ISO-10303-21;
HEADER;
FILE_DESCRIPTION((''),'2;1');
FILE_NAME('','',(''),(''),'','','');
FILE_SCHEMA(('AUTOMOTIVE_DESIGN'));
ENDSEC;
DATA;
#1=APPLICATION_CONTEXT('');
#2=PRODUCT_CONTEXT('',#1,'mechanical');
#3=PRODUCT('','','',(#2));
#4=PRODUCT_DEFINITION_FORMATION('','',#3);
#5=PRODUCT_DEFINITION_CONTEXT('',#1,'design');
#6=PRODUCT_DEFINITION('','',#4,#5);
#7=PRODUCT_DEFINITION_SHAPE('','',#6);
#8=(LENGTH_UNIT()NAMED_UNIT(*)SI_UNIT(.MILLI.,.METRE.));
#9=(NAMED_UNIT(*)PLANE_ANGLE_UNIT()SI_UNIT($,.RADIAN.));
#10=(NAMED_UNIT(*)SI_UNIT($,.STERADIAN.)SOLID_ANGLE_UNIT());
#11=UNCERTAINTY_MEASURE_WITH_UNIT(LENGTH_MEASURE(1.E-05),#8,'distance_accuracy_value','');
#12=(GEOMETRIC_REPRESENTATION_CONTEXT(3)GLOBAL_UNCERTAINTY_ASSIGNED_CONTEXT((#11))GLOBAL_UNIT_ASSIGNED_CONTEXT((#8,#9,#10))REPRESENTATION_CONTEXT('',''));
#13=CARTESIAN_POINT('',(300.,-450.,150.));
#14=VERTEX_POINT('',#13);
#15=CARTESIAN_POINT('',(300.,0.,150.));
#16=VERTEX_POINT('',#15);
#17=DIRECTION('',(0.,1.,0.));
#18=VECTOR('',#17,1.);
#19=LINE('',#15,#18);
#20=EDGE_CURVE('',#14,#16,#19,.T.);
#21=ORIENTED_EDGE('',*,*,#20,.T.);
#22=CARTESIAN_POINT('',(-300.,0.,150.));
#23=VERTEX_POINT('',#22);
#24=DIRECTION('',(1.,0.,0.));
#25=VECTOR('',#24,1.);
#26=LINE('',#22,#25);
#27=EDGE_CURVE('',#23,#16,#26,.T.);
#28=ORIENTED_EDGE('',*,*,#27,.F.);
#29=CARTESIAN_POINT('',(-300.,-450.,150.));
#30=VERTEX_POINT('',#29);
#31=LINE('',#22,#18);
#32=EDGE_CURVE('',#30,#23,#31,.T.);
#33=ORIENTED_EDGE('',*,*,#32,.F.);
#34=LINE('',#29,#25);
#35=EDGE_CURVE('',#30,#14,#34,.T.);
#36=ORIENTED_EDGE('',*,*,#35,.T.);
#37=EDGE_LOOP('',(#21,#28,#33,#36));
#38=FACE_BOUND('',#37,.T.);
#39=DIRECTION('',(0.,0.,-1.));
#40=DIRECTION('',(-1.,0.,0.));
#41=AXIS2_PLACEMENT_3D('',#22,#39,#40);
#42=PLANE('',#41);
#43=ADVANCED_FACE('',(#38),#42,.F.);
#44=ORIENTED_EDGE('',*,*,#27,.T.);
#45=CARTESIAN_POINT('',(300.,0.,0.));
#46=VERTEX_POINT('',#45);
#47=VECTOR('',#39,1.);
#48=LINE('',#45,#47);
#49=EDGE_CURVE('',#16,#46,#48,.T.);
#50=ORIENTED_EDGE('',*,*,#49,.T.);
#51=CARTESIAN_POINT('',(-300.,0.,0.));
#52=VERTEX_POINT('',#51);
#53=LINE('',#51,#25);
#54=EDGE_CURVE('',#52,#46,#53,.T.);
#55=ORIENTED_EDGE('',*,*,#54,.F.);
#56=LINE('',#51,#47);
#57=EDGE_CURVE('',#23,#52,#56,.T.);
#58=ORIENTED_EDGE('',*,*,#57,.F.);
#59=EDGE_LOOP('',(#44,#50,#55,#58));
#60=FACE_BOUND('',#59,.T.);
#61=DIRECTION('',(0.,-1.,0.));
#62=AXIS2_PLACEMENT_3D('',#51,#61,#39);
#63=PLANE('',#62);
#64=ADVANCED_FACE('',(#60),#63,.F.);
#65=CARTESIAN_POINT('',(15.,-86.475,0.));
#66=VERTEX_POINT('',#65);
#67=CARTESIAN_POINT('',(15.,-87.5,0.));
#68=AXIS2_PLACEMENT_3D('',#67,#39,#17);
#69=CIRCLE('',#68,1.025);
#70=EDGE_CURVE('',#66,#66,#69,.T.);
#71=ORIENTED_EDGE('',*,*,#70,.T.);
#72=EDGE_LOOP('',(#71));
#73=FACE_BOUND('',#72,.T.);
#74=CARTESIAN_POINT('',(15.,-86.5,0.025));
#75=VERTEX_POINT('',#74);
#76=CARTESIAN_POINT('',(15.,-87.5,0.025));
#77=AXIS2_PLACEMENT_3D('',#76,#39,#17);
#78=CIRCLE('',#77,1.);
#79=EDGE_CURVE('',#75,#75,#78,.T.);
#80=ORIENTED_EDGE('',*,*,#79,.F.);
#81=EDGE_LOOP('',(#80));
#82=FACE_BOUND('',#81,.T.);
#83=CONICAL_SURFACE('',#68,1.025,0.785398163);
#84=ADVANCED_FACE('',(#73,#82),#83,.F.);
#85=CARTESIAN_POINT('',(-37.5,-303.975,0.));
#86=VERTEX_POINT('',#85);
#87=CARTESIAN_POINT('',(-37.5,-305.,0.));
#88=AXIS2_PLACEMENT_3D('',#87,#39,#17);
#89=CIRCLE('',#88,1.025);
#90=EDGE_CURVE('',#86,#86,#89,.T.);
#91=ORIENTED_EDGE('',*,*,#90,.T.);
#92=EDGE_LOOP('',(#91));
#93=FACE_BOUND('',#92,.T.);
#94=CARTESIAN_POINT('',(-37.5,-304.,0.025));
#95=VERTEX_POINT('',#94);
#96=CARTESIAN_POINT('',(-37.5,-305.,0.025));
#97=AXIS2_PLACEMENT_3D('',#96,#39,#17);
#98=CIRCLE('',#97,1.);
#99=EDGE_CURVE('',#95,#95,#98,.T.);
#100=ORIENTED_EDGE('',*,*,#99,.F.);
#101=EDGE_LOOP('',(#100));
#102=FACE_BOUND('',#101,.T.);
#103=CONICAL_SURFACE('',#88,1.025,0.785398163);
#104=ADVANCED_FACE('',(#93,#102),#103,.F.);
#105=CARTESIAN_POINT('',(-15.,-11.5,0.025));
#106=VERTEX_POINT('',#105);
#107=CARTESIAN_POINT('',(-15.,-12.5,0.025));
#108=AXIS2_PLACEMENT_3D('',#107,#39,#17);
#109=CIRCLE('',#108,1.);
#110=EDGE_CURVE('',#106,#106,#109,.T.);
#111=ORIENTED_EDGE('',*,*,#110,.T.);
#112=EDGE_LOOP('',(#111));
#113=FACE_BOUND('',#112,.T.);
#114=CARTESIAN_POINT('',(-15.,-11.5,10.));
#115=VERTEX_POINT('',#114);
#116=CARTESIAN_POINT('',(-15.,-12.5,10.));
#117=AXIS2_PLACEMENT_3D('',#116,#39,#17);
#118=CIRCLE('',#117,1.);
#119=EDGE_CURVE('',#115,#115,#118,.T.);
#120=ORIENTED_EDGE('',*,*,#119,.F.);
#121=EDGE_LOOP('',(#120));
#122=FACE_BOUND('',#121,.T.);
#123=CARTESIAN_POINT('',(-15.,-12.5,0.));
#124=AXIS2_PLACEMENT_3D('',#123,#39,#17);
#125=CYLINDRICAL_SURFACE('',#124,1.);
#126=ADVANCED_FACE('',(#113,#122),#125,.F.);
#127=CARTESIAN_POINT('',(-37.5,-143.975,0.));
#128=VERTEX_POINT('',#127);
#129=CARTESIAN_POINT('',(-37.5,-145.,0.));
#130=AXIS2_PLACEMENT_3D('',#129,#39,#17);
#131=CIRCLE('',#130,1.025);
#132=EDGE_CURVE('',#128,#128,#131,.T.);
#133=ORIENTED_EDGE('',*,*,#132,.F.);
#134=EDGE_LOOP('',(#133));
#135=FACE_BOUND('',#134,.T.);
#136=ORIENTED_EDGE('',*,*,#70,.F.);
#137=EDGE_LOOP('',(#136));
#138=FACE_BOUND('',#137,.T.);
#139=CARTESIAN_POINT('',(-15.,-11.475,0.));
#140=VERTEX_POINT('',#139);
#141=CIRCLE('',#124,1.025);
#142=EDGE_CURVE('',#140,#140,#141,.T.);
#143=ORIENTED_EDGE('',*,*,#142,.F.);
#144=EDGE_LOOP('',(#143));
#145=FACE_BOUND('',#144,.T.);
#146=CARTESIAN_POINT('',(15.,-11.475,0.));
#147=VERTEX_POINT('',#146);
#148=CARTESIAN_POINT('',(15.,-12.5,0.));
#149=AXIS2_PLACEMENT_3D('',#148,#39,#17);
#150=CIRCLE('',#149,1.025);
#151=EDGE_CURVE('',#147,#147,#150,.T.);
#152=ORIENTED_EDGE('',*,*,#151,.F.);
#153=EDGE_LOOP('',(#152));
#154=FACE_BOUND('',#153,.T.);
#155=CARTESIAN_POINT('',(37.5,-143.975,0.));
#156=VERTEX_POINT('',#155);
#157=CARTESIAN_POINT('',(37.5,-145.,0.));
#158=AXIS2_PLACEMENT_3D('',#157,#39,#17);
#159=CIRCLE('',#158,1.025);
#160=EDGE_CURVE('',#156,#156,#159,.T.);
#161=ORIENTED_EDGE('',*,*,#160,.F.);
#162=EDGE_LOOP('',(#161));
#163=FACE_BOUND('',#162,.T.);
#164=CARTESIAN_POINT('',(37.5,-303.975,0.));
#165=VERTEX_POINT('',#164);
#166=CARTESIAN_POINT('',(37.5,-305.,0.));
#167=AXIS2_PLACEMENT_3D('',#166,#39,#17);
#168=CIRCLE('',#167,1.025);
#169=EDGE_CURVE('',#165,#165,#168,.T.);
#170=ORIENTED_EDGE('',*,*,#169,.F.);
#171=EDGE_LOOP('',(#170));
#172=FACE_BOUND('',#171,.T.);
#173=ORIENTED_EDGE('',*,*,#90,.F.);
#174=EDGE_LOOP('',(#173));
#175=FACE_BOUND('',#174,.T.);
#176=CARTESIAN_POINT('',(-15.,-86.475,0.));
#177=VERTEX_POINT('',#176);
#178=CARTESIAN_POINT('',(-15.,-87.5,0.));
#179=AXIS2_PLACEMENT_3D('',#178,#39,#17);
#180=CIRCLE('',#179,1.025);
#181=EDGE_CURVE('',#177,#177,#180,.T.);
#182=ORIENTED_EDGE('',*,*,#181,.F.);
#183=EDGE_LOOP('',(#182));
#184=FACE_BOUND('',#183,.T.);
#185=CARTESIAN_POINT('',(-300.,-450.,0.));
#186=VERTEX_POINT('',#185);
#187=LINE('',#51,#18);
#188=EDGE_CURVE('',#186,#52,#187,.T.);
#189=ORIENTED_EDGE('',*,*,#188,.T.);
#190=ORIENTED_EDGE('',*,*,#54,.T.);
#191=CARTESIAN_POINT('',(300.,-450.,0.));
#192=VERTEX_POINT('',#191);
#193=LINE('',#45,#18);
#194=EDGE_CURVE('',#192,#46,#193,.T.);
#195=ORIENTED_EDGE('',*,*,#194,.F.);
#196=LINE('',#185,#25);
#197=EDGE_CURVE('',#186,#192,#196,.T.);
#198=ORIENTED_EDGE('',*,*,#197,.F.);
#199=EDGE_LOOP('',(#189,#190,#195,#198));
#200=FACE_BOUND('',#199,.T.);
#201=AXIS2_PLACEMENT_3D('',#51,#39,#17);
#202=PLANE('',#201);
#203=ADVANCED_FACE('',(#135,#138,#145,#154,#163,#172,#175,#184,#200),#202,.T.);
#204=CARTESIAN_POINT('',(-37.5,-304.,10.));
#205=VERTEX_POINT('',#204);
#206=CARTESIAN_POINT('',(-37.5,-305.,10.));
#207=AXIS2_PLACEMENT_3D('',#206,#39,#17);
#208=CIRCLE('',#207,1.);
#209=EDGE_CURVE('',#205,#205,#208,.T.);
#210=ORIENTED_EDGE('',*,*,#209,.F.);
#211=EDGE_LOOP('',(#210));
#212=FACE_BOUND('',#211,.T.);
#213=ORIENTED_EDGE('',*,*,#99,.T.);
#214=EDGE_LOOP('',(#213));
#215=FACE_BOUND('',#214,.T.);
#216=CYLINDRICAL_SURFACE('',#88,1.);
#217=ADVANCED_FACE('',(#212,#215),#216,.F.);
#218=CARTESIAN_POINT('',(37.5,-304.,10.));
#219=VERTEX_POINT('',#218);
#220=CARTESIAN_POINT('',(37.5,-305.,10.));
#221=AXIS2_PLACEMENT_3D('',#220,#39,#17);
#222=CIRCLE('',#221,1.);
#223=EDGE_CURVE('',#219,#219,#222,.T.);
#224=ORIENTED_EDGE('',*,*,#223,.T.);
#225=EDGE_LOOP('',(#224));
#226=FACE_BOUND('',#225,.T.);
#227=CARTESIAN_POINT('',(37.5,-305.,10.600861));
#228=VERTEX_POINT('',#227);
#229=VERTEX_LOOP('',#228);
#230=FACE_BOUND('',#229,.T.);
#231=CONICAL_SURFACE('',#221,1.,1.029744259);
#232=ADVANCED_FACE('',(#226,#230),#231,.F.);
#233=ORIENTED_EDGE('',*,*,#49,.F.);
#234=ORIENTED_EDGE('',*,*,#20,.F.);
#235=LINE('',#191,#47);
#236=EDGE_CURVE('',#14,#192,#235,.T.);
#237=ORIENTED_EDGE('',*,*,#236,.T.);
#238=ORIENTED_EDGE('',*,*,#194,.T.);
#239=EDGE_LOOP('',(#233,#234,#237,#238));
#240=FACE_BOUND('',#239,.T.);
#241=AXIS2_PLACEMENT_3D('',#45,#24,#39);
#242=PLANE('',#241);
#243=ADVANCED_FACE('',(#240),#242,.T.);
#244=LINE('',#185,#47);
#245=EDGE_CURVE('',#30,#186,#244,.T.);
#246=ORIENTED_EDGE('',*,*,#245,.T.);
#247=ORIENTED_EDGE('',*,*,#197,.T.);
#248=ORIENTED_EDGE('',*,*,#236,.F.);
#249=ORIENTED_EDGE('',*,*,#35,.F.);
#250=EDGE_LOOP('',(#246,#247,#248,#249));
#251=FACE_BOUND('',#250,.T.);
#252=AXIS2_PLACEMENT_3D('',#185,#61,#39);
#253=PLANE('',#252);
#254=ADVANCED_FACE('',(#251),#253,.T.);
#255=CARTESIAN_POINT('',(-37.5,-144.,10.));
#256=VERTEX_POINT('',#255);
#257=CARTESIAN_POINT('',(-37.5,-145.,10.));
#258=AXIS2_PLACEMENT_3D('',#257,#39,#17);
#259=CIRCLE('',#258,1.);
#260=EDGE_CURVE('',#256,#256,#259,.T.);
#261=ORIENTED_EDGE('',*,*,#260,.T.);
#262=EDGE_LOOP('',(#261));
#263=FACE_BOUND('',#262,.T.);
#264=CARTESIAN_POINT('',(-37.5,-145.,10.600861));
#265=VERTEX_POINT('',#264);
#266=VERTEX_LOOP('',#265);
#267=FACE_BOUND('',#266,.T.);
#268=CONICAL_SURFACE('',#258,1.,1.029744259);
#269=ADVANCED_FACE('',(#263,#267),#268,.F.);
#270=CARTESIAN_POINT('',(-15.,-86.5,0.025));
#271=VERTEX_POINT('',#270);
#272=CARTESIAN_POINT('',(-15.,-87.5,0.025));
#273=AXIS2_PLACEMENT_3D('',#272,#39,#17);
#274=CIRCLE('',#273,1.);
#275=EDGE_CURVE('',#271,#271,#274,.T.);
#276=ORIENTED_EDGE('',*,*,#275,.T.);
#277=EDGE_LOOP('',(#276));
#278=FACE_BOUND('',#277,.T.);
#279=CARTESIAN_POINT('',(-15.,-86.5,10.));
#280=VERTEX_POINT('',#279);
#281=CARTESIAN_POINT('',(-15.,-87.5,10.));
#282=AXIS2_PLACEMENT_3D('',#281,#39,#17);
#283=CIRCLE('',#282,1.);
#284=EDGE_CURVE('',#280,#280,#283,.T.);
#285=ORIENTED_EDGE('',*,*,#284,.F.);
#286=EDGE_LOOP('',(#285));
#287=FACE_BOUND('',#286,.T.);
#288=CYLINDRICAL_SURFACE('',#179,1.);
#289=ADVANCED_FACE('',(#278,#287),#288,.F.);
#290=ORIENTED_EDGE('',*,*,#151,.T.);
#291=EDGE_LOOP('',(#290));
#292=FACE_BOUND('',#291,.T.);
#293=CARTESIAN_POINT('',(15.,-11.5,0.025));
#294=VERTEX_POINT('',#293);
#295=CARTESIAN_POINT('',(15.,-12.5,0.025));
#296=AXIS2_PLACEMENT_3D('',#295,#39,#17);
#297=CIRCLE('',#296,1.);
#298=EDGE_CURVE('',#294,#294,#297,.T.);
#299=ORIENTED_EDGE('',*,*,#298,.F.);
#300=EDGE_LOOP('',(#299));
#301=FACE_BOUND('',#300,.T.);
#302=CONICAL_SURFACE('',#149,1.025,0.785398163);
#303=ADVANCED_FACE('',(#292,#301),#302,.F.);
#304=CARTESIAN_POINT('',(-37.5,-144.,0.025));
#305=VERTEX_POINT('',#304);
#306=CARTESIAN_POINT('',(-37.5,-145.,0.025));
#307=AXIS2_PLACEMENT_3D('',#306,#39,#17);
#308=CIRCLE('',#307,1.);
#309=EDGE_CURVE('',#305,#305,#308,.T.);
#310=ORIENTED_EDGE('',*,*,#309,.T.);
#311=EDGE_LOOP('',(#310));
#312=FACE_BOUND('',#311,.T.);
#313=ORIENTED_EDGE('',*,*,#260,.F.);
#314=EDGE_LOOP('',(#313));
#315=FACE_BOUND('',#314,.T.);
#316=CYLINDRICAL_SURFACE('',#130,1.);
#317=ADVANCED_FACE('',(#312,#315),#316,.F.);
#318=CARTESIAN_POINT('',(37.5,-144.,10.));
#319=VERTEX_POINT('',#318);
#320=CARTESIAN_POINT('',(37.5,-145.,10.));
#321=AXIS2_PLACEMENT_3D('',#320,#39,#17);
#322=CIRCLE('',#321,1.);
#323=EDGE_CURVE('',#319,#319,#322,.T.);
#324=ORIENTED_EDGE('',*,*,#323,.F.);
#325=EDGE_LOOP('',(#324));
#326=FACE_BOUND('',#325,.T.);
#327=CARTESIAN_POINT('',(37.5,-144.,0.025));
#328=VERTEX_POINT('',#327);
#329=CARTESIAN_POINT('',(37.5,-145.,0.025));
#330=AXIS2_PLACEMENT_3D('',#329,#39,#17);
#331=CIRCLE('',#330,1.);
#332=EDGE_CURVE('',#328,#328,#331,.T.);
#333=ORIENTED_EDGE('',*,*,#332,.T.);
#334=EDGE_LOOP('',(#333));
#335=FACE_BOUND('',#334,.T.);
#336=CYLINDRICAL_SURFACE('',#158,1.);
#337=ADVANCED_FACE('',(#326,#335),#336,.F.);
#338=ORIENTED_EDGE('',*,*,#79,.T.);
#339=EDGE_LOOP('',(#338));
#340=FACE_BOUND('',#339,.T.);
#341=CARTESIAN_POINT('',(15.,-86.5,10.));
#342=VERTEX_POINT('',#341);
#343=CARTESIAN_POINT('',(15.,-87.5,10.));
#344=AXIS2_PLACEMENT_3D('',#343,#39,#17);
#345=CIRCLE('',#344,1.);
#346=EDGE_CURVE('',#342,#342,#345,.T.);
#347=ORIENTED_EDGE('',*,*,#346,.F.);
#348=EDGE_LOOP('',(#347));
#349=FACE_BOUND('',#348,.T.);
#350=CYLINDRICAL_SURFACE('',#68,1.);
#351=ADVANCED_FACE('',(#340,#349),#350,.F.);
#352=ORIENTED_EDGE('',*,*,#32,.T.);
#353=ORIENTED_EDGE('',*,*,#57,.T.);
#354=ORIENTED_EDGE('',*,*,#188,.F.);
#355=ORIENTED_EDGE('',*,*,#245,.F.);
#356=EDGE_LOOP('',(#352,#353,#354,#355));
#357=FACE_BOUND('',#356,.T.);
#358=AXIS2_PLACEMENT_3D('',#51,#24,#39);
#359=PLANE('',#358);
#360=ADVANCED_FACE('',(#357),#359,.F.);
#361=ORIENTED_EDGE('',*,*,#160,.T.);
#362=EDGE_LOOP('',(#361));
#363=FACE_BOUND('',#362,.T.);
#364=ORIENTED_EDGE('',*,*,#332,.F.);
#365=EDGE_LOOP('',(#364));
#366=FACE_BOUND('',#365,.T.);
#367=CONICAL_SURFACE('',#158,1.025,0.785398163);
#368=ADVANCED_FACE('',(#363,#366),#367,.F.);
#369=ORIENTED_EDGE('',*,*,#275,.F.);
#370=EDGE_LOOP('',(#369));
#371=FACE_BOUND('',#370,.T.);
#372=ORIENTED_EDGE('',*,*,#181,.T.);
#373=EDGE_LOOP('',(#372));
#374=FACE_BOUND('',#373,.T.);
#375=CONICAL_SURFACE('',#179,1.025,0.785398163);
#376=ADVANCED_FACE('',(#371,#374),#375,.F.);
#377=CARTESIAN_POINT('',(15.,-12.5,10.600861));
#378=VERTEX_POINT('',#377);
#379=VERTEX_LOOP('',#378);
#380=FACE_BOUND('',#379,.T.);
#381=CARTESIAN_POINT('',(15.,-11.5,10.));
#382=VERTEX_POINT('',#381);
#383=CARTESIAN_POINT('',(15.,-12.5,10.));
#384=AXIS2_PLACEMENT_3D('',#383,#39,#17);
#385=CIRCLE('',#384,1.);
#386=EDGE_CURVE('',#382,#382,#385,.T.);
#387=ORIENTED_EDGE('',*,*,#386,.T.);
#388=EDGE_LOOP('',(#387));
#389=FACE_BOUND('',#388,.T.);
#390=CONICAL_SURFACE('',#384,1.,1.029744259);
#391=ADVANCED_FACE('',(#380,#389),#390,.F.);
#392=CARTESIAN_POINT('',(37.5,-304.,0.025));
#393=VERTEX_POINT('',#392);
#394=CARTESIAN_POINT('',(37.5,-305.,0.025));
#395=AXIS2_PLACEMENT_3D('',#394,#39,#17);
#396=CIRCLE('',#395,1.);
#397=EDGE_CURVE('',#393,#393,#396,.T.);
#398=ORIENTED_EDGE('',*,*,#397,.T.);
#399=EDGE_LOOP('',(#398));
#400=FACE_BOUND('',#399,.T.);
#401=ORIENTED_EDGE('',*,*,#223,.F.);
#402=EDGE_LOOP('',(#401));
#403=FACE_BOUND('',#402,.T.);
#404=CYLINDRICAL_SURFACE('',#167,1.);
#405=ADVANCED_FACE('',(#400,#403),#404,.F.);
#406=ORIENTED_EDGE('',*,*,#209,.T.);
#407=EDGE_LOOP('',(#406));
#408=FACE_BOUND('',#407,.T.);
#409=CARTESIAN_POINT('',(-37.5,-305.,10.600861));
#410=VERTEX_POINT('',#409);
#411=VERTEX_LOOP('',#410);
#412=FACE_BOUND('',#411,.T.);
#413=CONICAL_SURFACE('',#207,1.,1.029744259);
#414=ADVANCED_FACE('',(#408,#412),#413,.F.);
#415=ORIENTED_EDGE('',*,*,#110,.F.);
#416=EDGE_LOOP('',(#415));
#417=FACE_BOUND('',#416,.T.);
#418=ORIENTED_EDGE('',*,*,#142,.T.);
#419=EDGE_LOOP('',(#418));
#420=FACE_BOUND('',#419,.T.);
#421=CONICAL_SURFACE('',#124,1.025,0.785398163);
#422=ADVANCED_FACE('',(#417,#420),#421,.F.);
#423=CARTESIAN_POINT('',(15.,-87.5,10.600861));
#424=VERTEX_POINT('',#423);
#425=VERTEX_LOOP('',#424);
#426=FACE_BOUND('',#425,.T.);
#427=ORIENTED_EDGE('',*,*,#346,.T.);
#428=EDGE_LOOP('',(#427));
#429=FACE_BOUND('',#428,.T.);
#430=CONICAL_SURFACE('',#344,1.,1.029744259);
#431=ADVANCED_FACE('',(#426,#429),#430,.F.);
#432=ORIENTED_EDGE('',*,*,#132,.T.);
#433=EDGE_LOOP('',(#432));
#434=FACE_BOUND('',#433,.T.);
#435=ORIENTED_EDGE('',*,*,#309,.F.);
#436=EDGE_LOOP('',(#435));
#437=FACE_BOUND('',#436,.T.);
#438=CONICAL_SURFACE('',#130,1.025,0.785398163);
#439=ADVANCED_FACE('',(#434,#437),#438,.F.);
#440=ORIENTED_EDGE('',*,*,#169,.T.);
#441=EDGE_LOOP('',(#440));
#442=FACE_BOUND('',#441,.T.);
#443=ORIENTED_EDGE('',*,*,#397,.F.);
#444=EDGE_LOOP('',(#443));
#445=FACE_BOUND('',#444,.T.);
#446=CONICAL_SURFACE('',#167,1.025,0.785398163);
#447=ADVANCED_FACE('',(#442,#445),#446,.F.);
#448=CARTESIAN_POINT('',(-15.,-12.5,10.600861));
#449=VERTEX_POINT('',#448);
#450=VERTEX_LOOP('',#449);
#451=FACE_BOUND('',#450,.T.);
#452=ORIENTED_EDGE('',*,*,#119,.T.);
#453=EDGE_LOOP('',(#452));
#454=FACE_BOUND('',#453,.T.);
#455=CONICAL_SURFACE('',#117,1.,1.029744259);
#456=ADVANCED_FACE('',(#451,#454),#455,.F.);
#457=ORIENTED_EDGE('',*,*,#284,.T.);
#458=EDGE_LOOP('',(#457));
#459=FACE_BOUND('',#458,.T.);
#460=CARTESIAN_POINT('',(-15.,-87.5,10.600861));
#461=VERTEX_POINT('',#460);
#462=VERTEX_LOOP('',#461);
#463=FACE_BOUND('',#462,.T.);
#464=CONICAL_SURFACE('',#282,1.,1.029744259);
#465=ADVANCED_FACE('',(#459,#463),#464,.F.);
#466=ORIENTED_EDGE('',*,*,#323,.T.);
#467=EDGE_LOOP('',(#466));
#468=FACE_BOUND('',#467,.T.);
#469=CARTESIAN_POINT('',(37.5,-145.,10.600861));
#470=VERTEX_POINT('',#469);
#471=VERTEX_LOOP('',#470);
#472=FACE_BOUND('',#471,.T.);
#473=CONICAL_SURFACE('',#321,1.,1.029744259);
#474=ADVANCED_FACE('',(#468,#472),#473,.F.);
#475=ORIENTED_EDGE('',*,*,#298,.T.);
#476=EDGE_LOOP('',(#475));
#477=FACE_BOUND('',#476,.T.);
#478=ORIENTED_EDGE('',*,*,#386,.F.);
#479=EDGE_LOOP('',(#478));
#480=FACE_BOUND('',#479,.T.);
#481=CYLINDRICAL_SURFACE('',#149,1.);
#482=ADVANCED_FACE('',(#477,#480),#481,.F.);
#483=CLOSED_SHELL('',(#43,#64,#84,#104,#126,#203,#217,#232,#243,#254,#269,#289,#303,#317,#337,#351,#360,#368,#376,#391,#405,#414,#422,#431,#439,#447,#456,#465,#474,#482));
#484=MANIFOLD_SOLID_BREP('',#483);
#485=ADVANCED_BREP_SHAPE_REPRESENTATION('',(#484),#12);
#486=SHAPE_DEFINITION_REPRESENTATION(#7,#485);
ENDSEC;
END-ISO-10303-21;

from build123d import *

# Parameters (mm, degrees)
BOSS_EXTRUDE2_DEPTH             = 300
BOSS_EXTRUDE2_DEPTH_BACK        = 300
SKETCH1_W                       = 450
SKETCH1_H                       = 150
F_2_0MM_DOWEL_HOLE1_D           = 2
F_2_0MM_DOWEL_HOLE1_DEPTH       = 10
F_2_0MM_DOWEL_HOLE1_CSINK_D     = 2.05
F_2_0MM_DOWEL_HOLE1_CSINK_ANGLE = 90
F_2_0MM_DOWEL_HOLE1_TIP         = 0.600860619
F_2_0MM_DOWEL_HOLE2_D           = 2
F_2_0MM_DOWEL_HOLE2_DEPTH       = 10
F_2_0MM_DOWEL_HOLE2_CSINK_D     = 2.05
F_2_0MM_DOWEL_HOLE2_CSINK_ANGLE = 90
F_2_0MM_DOWEL_HOLE2_TIP         = 0.600860619


with BuildPart() as part:
    # Sketch1 → Boss-Extrude2 (new, two sides: drawn at the far end of the back side and taken through both)
    with BuildSketch(Plane.YZ.offset(-BOSS_EXTRUDE2_DEPTH_BACK)):
        with Locations((-225, 75)):
            Rectangle(SKETCH1_W, SKETCH1_H)
    extrude(amount=BOSS_EXTRUDE2_DEPTH + BOSS_EXTRUDE2_DEPTH_BACK)

    # Ø2.0mm Dowel Hole1
    with Locations(Plane(origin=(0, 0, 0), x_dir=(1, 0, 0), z_dir=(0, 0, -1))):
        with Locations((37.5, 145), (-37.5, 305), (-37.5, 145), (37.5, 305)):
            CounterSinkHole(F_2_0MM_DOWEL_HOLE1_D / 2, F_2_0MM_DOWEL_HOLE1_CSINK_D / 2, depth=F_2_0MM_DOWEL_HOLE1_DEPTH, counter_sink_angle=F_2_0MM_DOWEL_HOLE1_CSINK_ANGLE)
            with Locations((0, 0, -(F_2_0MM_DOWEL_HOLE1_DEPTH + F_2_0MM_DOWEL_HOLE1_TIP / 2))):  # 118° drill point
                Cone(0, F_2_0MM_DOWEL_HOLE1_D / 2, F_2_0MM_DOWEL_HOLE1_TIP, mode=Mode.SUBTRACT)

    # Ø2.0mm Dowel Hole2
    with Locations(Plane(origin=(0, 0, 0), x_dir=(1, 0, 0), z_dir=(0, 0, -1))):
        with Locations((-15, 12.5), (-15, 87.5), (15, 87.5), (15, 12.5)):
            CounterSinkHole(F_2_0MM_DOWEL_HOLE2_D / 2, F_2_0MM_DOWEL_HOLE2_CSINK_D / 2, depth=F_2_0MM_DOWEL_HOLE2_DEPTH, counter_sink_angle=F_2_0MM_DOWEL_HOLE2_CSINK_ANGLE)
            with Locations((0, 0, -(F_2_0MM_DOWEL_HOLE2_DEPTH + F_2_0MM_DOWEL_HOLE2_TIP / 2))):  # 118° drill point
                Cone(0, F_2_0MM_DOWEL_HOLE2_D / 2, F_2_0MM_DOWEL_HOLE2_TIP, mode=Mode.SUBTRACT)


solid = part.part
